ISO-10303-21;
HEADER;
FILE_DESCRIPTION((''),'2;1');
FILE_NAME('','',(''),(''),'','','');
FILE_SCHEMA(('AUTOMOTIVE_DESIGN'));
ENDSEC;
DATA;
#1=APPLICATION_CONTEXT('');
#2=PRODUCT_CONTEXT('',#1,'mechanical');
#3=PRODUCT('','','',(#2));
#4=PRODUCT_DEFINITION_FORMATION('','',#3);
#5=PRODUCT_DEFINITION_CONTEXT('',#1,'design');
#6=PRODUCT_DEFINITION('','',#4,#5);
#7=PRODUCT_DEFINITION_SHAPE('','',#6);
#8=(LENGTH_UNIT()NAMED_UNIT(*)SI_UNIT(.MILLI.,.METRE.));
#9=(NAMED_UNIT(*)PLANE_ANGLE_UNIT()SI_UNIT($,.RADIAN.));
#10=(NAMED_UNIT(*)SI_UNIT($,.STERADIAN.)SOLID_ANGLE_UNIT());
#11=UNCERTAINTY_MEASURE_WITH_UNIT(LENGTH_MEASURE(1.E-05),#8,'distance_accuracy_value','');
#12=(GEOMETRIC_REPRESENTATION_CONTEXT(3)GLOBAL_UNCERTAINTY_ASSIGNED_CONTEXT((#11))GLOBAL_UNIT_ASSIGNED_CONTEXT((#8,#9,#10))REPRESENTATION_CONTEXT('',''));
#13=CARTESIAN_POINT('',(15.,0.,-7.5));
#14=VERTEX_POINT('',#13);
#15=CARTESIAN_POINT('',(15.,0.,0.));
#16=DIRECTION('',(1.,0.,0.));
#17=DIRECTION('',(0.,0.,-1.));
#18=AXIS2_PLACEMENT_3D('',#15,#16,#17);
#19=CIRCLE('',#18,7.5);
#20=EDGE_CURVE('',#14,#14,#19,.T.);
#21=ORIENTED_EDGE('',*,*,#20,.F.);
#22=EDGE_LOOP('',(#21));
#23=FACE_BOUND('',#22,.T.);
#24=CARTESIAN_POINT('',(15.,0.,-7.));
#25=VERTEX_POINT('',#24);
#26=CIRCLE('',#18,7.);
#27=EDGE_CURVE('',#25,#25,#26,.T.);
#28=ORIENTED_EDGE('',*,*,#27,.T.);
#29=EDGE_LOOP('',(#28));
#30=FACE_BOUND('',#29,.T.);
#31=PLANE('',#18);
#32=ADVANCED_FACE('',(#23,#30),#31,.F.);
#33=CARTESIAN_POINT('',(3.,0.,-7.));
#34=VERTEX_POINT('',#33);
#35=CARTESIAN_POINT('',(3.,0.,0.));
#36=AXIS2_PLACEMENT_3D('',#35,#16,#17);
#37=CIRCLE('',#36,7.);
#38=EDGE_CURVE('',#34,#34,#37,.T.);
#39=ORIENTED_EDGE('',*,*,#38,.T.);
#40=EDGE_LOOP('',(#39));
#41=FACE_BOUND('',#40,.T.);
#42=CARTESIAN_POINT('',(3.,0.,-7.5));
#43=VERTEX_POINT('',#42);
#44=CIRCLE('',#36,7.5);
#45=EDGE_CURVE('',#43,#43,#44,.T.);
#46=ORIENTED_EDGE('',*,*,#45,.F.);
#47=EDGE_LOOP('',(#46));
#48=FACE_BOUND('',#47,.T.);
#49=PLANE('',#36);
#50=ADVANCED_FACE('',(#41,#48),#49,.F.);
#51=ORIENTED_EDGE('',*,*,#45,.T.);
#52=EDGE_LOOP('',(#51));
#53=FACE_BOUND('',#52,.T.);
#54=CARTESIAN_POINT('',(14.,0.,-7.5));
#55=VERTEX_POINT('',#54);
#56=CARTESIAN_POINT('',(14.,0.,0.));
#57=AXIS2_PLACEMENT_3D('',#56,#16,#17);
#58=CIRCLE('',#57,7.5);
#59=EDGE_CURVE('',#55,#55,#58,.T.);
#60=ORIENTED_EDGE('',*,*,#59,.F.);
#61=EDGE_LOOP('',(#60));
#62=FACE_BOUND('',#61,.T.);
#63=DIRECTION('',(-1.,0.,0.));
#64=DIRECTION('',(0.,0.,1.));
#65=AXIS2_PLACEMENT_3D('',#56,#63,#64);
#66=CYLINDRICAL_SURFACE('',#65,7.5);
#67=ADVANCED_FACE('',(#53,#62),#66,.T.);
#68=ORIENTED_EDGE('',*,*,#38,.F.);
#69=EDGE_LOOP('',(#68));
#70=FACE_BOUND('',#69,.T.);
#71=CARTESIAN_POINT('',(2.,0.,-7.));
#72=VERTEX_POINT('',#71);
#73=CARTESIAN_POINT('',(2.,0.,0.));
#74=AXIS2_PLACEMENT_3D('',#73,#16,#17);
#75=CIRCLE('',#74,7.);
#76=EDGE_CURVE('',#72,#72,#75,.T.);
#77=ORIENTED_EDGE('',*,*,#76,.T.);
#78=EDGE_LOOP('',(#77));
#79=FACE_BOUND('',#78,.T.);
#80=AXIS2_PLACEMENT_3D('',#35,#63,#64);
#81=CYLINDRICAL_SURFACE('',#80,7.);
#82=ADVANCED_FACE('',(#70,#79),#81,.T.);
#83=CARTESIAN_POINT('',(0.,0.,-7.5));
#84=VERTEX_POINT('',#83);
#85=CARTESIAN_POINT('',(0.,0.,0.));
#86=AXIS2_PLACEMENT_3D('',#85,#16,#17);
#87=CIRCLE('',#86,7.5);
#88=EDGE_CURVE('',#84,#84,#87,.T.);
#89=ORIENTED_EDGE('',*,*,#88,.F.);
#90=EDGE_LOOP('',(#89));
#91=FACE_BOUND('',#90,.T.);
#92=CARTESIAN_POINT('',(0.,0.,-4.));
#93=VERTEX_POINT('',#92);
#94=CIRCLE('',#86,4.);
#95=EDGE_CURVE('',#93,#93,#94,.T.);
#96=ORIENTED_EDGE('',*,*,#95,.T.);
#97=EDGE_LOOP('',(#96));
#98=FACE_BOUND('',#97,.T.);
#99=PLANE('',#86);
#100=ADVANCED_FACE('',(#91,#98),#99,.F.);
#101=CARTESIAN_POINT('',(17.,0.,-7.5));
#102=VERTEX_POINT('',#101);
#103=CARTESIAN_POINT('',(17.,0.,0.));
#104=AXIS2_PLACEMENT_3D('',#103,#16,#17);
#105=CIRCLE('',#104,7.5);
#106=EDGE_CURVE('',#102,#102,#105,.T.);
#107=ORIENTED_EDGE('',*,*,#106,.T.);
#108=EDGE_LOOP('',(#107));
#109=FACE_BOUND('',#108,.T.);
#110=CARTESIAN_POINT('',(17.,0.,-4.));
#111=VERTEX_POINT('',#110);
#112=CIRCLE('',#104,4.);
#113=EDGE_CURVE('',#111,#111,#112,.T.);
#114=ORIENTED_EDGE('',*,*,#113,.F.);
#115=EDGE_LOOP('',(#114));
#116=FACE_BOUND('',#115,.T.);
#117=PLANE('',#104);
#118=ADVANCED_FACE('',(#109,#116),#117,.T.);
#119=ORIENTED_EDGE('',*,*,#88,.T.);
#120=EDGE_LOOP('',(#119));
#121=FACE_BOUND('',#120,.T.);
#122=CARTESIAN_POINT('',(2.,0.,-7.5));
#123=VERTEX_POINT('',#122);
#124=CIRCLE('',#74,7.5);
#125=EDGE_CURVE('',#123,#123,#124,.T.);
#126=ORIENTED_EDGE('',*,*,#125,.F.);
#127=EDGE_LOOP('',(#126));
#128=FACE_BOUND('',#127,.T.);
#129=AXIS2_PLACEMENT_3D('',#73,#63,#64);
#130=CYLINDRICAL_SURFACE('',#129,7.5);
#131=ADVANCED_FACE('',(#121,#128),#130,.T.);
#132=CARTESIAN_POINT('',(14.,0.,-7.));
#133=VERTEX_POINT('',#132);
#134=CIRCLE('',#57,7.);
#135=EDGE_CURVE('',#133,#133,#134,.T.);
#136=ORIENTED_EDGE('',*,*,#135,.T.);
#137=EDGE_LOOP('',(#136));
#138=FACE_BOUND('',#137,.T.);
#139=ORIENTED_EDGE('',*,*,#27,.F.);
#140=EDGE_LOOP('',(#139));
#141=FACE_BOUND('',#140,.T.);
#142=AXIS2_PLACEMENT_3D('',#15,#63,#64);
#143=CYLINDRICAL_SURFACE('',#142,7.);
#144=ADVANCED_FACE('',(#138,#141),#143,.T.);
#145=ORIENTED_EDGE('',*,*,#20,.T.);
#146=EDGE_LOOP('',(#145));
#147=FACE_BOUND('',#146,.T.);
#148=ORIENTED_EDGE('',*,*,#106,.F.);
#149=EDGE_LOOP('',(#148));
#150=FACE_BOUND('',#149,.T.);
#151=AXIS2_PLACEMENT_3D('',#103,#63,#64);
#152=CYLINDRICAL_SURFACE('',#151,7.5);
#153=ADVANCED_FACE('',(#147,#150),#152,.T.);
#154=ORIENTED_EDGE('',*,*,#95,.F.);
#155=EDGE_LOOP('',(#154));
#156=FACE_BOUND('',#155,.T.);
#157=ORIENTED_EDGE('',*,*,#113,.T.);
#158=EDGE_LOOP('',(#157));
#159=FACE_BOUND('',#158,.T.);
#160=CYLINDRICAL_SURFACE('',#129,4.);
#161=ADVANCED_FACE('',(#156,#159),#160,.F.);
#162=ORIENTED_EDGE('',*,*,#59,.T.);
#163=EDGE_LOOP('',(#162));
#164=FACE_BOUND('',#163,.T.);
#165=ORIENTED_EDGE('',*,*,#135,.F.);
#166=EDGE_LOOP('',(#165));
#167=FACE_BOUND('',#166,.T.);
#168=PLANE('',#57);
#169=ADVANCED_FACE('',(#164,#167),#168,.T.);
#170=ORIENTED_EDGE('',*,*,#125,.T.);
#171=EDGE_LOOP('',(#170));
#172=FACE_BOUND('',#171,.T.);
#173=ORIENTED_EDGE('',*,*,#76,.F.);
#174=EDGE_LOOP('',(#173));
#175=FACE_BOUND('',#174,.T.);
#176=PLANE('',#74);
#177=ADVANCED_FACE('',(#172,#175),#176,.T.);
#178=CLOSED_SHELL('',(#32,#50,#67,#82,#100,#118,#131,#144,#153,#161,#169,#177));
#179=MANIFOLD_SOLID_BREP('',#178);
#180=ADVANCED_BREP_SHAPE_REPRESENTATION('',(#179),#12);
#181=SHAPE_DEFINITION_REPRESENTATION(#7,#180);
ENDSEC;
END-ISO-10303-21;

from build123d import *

# Parameters (mm, degrees)
SKETCH1_R           = 7.5
SKETCH1_R_2         = 4
BOSS_EXTRUDE1_DEPTH = 2
SKETCH2_R           = 7
SKETCH2_R_2         = 4
BOSS_EXTRUDE2_DEPTH = 1
SKETCH3_R           = 7.5
SKETCH3_R_2         = 4
BOSS_EXTRUDE3_DEPTH = 11
SKETCH4_R           = 7
SKETCH4_R_2         = 4
BOSS_EXTRUDE4_DEPTH = 1
SKETCH5_R           = 7.5
SKETCH5_R_2         = 4
BOSS_EXTRUDE5_DEPTH = 2


with BuildPart() as part:
    # Sketch1 → Boss-Extrude1 (new body)
    with BuildSketch(Plane(origin=(0, 0, 0), x_dir=(0, 0, -1), z_dir=(1, 0, 0))):
        Circle(SKETCH1_R)
        Circle(SKETCH1_R_2, mode=Mode.SUBTRACT)
    extrude(amount=BOSS_EXTRUDE1_DEPTH)

    # Sketch2 → Boss-Extrude2 (add)
    with BuildSketch(Plane(origin=(2, 0, 0), x_dir=(0, 0, -1), z_dir=(1, 0, 0))):
        Circle(SKETCH2_R)
        Circle(SKETCH2_R_2, mode=Mode.SUBTRACT)
    extrude(amount=BOSS_EXTRUDE2_DEPTH)

    # Sketch3 → Boss-Extrude3 (add)
    with BuildSketch(Plane(origin=(3, 0, 0), x_dir=(0, 0, -1), z_dir=(1, 0, 0))):
        Circle(SKETCH3_R)
        Circle(SKETCH3_R_2, mode=Mode.SUBTRACT)
    extrude(amount=BOSS_EXTRUDE3_DEPTH)

    # Sketch4 → Boss-Extrude4 (add)
    with BuildSketch(Plane(origin=(14, 0, 0), x_dir=(0, 0, -1), z_dir=(1, 0, 0))):
        Circle(SKETCH4_R)
        Circle(SKETCH4_R_2, mode=Mode.SUBTRACT)
    extrude(amount=BOSS_EXTRUDE4_DEPTH)

    # Sketch5 → Boss-Extrude5 (add)
    with BuildSketch(Plane(origin=(15, 0, 0), x_dir=(0, 0, -1), z_dir=(1, 0, 0))):
        Circle(SKETCH5_R)
        Circle(SKETCH5_R_2, mode=Mode.SUBTRACT)
    extrude(amount=BOSS_EXTRUDE5_DEPTH)


solid = part.part
